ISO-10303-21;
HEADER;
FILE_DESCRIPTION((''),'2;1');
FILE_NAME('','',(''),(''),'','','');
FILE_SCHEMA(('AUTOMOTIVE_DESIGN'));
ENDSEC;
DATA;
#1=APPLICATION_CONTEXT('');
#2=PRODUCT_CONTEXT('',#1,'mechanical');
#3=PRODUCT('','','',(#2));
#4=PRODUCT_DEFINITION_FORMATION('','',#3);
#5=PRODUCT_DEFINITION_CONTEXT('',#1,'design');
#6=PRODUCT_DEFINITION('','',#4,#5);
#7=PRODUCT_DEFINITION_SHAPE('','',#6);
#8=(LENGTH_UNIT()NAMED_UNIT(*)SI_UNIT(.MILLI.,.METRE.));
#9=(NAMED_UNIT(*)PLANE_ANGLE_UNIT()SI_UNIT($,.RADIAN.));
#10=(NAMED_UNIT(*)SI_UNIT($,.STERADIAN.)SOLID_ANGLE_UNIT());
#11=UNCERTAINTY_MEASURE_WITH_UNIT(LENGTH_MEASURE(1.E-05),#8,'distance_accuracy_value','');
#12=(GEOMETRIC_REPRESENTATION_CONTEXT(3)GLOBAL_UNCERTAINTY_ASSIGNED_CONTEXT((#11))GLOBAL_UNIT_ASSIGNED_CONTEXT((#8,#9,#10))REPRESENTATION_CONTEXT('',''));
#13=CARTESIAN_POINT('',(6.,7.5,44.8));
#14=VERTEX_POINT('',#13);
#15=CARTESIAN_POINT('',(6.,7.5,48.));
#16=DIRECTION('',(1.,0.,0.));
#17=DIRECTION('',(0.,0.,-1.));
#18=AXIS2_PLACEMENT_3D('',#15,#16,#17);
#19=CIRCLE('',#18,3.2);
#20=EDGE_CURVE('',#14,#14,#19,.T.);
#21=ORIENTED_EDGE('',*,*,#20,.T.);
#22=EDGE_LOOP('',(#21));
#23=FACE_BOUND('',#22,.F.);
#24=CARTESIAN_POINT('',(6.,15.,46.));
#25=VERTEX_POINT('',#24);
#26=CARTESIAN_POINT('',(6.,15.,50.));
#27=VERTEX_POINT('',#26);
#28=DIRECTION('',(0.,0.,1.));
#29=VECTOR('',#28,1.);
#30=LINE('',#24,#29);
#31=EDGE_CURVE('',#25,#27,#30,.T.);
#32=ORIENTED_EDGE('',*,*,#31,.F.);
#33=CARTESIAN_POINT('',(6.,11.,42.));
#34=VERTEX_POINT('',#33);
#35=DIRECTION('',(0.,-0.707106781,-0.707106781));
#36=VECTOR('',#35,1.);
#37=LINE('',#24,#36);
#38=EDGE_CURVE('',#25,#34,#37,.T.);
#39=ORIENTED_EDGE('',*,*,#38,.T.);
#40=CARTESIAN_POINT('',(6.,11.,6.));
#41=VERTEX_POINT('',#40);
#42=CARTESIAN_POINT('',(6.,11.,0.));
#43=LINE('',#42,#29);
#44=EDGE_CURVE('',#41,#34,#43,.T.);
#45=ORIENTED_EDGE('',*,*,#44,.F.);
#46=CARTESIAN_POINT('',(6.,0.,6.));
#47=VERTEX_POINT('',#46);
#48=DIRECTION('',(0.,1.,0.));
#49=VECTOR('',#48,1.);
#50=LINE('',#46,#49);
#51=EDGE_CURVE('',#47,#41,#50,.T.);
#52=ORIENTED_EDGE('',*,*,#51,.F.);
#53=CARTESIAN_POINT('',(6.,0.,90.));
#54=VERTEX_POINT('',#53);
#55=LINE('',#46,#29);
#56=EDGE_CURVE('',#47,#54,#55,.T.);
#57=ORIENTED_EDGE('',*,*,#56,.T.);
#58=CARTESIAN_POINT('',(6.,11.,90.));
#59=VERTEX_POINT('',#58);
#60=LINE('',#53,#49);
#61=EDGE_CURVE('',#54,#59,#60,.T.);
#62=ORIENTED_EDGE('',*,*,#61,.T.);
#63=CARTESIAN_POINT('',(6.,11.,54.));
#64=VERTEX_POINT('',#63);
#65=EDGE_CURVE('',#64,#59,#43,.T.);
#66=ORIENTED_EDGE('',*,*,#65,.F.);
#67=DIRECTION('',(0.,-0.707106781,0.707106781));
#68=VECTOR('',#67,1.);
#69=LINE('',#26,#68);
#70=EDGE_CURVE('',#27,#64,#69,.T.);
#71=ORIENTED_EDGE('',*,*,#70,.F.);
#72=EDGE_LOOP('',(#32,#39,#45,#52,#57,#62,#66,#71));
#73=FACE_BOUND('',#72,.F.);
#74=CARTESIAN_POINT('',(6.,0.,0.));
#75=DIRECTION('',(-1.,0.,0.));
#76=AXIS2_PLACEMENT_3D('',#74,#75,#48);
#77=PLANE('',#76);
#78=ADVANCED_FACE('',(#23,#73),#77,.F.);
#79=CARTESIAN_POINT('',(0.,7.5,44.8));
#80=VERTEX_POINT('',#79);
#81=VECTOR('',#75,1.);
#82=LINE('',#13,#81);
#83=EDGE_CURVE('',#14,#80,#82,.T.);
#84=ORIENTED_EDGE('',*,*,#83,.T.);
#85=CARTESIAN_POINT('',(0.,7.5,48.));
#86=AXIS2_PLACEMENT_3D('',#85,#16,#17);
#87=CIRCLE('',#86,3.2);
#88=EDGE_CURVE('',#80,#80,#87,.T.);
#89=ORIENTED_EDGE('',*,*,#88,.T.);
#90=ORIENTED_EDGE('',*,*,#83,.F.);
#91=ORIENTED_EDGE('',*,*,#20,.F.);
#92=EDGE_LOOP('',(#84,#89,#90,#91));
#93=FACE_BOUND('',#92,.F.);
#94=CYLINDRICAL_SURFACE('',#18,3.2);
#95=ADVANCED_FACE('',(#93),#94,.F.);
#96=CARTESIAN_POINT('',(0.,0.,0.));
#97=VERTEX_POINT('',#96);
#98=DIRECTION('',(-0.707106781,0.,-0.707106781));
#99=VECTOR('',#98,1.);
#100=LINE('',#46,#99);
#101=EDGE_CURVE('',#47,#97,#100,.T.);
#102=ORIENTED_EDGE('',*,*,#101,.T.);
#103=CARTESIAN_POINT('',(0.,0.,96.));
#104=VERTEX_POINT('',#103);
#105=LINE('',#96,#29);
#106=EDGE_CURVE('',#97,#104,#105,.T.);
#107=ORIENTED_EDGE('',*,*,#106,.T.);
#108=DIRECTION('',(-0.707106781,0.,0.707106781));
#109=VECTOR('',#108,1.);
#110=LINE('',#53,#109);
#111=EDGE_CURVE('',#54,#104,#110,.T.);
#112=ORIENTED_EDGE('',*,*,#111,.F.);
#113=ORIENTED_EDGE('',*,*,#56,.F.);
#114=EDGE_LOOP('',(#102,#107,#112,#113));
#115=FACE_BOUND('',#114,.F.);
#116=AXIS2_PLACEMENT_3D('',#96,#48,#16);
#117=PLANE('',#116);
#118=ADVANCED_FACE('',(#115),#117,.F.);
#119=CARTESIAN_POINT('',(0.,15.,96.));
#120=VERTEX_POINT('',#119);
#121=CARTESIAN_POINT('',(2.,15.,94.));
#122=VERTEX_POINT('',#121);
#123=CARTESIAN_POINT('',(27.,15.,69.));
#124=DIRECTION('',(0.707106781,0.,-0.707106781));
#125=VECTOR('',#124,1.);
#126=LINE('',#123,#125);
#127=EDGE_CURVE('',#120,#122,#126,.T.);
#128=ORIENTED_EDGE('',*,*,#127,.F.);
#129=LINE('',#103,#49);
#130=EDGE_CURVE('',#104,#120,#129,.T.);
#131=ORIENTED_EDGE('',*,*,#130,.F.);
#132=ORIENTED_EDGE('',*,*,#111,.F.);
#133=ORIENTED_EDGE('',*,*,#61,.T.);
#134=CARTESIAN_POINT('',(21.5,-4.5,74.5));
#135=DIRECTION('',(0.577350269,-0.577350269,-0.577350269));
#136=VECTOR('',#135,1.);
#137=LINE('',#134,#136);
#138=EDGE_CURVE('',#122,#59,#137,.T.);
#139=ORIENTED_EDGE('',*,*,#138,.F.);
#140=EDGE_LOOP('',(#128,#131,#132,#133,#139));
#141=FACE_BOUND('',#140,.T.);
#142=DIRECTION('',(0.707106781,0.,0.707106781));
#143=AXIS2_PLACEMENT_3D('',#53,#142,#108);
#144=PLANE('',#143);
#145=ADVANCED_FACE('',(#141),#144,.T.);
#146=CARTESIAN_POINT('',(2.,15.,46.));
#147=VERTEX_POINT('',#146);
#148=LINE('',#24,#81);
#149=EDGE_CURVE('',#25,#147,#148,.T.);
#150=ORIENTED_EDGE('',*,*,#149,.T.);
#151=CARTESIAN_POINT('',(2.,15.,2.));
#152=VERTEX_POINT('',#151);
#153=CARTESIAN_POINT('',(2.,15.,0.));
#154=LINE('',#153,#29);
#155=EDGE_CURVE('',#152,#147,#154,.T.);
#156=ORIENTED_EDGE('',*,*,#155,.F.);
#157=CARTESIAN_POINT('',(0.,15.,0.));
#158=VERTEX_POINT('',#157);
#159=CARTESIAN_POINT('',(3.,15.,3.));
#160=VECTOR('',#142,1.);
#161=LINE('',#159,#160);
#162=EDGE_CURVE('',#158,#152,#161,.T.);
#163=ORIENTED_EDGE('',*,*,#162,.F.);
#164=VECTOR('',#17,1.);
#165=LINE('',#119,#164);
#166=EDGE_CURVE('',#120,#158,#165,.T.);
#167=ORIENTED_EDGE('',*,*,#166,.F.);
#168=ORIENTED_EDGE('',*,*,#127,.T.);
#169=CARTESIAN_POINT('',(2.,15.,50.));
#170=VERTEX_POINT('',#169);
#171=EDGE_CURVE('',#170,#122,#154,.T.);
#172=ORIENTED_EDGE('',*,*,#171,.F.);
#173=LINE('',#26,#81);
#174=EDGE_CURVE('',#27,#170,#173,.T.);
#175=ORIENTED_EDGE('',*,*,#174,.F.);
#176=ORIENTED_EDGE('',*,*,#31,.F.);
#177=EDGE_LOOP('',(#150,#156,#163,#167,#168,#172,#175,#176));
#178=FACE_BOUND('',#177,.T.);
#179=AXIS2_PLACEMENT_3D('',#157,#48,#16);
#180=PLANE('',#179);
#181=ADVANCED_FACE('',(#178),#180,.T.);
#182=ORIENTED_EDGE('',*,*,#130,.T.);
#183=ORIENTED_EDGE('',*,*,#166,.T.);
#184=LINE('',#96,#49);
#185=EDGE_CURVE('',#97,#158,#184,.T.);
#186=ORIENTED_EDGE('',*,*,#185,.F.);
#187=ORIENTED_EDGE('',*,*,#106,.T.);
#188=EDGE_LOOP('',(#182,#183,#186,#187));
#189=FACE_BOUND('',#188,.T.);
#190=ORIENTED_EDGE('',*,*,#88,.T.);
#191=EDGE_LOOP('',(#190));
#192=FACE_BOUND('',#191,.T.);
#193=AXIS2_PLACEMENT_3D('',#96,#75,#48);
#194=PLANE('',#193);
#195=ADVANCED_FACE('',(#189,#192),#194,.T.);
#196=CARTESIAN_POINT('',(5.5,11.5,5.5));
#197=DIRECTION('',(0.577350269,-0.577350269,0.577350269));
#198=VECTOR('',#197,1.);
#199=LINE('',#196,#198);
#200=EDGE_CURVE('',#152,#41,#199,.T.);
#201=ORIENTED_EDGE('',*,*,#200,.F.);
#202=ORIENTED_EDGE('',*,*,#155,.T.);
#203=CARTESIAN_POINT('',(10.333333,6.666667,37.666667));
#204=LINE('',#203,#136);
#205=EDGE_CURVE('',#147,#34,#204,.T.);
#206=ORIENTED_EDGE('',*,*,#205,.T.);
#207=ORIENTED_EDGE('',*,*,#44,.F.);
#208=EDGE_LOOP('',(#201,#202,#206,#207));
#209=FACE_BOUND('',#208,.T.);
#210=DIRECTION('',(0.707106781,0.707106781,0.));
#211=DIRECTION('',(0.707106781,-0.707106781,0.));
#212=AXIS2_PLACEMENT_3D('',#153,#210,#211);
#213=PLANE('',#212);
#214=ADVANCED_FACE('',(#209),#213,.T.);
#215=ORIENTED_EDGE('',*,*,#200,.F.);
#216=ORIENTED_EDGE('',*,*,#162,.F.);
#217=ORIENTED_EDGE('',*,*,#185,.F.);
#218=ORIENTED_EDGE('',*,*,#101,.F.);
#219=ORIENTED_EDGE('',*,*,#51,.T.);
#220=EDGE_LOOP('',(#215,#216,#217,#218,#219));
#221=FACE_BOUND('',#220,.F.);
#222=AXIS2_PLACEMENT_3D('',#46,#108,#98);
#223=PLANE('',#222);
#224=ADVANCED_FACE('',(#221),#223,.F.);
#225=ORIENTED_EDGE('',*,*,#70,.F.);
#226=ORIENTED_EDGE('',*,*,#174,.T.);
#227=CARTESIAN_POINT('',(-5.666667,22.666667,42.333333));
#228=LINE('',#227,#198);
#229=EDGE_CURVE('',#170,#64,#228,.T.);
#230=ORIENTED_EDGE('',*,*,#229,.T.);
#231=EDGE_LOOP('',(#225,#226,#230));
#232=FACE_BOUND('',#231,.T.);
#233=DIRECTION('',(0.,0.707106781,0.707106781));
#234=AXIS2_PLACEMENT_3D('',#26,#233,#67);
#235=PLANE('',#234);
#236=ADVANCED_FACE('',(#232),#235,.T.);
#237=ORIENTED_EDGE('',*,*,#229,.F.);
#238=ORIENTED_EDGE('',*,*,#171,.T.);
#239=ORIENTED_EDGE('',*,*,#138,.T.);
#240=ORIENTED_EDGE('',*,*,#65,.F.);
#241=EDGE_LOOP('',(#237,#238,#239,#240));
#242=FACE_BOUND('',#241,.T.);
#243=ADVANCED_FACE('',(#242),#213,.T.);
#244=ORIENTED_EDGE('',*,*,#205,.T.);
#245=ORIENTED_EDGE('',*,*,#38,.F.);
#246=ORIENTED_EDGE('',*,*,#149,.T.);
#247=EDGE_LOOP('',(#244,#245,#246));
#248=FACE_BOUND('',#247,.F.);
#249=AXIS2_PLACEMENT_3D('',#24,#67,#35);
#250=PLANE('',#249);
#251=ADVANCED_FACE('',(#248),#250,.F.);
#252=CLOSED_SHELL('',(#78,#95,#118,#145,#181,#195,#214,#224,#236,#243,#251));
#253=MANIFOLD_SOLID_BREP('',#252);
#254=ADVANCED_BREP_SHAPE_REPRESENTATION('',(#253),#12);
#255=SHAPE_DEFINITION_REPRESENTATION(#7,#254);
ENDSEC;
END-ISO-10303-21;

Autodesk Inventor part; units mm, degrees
ref_plane "YZ Plane" through (0, 0, 0) normal (1, 0, 0) x (0, 1, 0)
ref_plane "XZ Plane" through (0, 0, 0) normal (0, 1, 0) x (-1, 0, 0)
ref_plane "XY Plane" through (0, 0, 0) normal (0, 0, 1) x (1, 0, 0)
sketch "Sketch1" plane through (0, 0, 0) normal (0, 0, 1) x (1, 0, 0)
  line L0 (0, 0) -> (6, 0)
  line L1 (6, 0) -> (6, 11)
  line L2 (0, 0) -> (0, 15)
  line L3 (0, 15) -> (2, 15)
  line L4 (2, 15) -> (6, 11)
  dimension "d0" = 6
  dimension "d1" = 11
  dimension "d2" = 15
  dimension "d3" = 2
extrude "Extrusion1" add sketch "Sketch1" along normal blind 96
sketch "Sketch2" plane through (0, 0, 0) normal (0, -1, 0) x (1, 0, 0)
  line L0 (0, 0) -> (0, 96) projected
  line L1 (5.9866, 0) -> (0, 0)
  line L2 (0, 96) -> (6, 96) projected
  line L3 (0, 96) -> (6, 96)
  line L4 (6, 96) -> (6, 90)
  line L5 (6, 90) -> (0, 96)
  line L6 (0, 0) -> (6, 0) projected
  line L7 (6, 0) -> (0, 0)
  line L8 (6, 0) -> (6, 6)
  line L9 (6, 0) -> (6, 96) projected
  line L10 (6, 6) -> (0, 0)
  dimension "d7" = 6
  dimension "d8" = 6
extrude "Extrusion2" cut sketch "Sketch2" against normal blind 42.1125 contours L10 L8 L6 L1 | L2 L4 L5
sketch "Sketch3" plane through (6, 0, 90) normal (1, 0, 0) x (0, 0, -1)
  line L0 (84, 11) -> (0, 11) projected
  line L1 (84, 0) -> (0, 0) projected
  line L2 (42, 11) -> (42, 0)
  line L3 (42, 0) -> (48, 0)
  line L4 (90, 0) -> (-6, 0) projected
  line L5 (48, 0) -> (48, 11)
  line L6 (42, 0) -> (36, 0)
  line L7 (36, 0) -> (36, 11)
  line L8 (42, 11) -> (42, 15)
  line L9 (88, 15) -> (-4, 15) projected
  line L10 (42, 15) -> (44, 15)
  line L11 (44, 15) -> (48, 11)
  line L12 (42, 15) -> (40, 15)
  line L13 (40, 15) -> (36, 11)
  point P0 (36, 0)
  dimension "d11" = 6
  dimension "d12" = 6
  dimension "d13" = 2
  dimension "d14" = 2
extrude "Extrusion3" add sketch "Sketch3" against normal blind 6
sketch "Sketch4" plane through (6, 0, 90) normal (1, 0, 0) x (0, 0, -1)
  line L0 (36, 11) -> (0, 11) projected
  line L1 (0, 11) -> (0, 0) projected
  line L2 (84, 0) -> (0, 0) projected
  line L3 (84, 0) -> (84, 11) projected
  line L4 (84, 11) -> (48, 11) projected
  line L5 (48, 11) -> (44, 15) projected
  line L6 (44, 15) -> (40, 15) projected
  line L7 (40, 15) -> (36, 11) projected
  line L8 (84, 0) -> (0, 0) projected
  line L9 (42, 0) -> (42, 7.5)
  circle A0 centre (42, 7.5) radius 3.2
  point P0 (90, 0)
  dimension "d17" = 7.5
  dimension "d18" = 6.4
extrude "Extrusion4" cut sketch "Sketch4" against normal blind 10 contours A0
properties part number "edge-join-hole"
